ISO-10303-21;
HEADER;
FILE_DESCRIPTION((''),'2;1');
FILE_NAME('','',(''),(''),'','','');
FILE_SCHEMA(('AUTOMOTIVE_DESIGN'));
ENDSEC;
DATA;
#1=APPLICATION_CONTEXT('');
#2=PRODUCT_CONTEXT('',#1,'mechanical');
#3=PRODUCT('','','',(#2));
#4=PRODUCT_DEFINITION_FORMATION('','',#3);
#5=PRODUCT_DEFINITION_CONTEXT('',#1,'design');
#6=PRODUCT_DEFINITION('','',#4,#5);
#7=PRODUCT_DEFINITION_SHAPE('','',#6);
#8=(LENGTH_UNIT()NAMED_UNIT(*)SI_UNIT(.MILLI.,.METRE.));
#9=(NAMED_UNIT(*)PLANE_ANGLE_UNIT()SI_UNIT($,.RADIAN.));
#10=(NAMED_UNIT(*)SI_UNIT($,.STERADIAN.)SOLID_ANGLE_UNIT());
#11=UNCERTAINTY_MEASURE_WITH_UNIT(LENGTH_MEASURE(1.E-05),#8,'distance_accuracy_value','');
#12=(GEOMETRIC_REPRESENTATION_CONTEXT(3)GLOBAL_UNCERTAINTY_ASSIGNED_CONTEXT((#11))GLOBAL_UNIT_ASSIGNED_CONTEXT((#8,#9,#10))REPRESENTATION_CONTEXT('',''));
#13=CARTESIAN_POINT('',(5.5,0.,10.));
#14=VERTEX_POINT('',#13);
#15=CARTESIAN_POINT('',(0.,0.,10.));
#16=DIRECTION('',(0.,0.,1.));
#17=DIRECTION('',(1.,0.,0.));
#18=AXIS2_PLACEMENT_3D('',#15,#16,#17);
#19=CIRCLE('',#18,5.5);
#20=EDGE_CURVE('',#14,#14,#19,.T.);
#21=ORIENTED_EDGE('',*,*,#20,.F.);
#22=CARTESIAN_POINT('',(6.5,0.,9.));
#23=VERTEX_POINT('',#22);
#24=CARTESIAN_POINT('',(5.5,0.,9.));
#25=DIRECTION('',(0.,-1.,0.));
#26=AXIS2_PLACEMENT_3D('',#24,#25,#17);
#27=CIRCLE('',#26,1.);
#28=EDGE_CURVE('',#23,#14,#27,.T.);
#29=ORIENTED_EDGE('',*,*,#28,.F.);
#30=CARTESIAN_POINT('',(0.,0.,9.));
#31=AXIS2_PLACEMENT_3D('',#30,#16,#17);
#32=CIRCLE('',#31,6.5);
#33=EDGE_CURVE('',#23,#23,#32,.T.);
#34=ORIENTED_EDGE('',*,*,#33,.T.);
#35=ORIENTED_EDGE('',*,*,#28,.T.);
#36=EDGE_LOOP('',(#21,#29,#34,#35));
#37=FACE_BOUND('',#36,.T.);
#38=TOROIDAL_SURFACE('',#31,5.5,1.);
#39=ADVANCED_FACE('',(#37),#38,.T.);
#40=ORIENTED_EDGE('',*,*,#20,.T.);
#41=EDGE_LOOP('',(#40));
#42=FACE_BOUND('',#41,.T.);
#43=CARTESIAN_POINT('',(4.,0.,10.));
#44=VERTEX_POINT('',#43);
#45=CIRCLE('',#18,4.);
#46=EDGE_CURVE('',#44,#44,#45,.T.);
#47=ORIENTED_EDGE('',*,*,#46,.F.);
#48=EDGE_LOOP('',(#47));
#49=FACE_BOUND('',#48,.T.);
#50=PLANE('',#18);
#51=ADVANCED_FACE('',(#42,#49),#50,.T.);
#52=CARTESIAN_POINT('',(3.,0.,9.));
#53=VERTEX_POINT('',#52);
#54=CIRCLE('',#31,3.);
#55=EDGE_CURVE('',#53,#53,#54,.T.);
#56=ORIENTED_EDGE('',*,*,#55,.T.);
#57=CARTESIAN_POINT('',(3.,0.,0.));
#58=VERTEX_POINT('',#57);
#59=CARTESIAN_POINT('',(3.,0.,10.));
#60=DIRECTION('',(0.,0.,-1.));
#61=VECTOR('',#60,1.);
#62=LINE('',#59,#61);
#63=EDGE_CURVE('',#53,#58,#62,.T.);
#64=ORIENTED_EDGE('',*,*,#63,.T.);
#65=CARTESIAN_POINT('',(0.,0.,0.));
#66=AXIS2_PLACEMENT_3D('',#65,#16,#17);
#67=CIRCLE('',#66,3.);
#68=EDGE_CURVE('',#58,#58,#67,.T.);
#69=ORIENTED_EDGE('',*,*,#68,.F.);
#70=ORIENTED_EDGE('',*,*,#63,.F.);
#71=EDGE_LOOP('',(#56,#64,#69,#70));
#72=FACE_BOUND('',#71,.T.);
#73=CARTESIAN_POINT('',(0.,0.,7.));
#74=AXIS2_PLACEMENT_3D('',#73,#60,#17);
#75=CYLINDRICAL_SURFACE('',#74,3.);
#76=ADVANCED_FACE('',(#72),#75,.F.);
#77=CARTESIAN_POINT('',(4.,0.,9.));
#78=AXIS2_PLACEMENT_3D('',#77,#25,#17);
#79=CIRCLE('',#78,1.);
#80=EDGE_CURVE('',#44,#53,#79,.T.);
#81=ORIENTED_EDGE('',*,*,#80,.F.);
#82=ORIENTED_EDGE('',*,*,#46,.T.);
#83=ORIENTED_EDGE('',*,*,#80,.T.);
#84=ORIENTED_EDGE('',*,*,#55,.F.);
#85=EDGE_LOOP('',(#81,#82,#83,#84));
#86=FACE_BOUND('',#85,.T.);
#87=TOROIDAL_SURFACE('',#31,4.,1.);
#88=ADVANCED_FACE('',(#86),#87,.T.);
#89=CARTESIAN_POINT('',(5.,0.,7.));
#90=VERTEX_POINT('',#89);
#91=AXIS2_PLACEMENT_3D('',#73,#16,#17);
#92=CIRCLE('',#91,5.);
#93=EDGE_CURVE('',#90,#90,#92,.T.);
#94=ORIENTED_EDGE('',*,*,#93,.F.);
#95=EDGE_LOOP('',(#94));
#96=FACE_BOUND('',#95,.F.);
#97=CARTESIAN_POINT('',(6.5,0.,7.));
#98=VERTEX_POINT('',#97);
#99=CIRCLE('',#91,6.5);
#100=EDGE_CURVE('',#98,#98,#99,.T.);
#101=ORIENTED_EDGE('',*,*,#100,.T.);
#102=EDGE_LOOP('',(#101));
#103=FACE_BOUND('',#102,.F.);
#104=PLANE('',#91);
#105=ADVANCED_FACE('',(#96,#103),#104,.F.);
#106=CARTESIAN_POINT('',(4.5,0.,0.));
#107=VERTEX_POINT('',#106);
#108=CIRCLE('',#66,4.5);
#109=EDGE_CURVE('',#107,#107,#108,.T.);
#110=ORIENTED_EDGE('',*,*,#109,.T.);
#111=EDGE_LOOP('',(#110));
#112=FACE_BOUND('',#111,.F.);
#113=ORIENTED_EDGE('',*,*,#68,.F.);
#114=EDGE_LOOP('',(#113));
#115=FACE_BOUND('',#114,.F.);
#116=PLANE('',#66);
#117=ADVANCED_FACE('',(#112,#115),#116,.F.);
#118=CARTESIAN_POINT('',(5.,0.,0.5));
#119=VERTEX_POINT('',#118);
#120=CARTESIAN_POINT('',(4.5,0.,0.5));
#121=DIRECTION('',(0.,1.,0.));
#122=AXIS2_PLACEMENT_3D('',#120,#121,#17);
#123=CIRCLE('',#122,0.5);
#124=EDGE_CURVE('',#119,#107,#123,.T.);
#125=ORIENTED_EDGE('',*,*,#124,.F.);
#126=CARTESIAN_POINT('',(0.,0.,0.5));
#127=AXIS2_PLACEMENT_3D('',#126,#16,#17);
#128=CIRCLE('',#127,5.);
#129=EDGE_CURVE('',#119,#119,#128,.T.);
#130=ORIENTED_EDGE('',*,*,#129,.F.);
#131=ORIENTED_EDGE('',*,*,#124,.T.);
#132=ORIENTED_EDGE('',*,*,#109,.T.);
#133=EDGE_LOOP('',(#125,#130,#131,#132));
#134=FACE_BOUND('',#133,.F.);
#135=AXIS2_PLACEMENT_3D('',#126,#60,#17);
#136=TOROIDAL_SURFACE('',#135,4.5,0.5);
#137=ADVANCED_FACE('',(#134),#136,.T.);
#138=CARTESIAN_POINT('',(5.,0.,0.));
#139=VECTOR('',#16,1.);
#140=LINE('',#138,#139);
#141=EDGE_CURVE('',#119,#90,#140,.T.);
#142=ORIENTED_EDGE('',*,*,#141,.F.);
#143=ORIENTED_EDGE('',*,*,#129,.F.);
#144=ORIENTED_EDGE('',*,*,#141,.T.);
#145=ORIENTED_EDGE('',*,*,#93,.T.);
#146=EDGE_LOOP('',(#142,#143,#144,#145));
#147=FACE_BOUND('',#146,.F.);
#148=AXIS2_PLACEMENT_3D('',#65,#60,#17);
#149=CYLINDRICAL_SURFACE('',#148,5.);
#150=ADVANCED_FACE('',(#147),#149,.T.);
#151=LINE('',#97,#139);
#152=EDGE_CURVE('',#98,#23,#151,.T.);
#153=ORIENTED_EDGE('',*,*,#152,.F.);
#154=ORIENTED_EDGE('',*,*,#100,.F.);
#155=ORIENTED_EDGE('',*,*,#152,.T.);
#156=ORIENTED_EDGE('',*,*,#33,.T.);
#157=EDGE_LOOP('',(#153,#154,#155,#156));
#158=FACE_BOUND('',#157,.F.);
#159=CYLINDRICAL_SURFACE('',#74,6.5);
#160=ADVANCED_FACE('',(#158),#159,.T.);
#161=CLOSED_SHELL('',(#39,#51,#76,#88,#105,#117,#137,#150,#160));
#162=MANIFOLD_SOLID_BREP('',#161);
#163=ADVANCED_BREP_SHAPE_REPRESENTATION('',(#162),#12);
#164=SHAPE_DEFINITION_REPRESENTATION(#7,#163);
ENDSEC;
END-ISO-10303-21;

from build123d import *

# Parameters (mm, degrees)
SKETCH1_R           = 5
SKETCH1_R_2         = 3
BOSS_EXTRUDE1_DEPTH = 7
SKETCH2_R           = 6.5
SKETCH2_R_2         = 3
BOSS_EXTRUDE2_DEPTH = 3
FILLET1_R           = 1
FILLET2_R           = 0.5


with BuildPart() as part:
    # Sketch1 → Boss-Extrude1 (new body)
    with BuildSketch(Plane.XY):
        Circle(SKETCH1_R)
        Circle(SKETCH1_R_2, mode=Mode.SUBTRACT)
    extrude(amount=BOSS_EXTRUDE1_DEPTH)

    # Sketch2 → Boss-Extrude2 (add)
    with BuildSketch(Plane.XY.offset(7)):
        Circle(SKETCH2_R)
        Circle(SKETCH2_R_2, mode=Mode.SUBTRACT)
    extrude(amount=BOSS_EXTRUDE2_DEPTH)

    # Fillet1
    fillet1_edges = [part.edges().sort_by_distance(p)[0] for p in [
        (-6.5, 0, 10),
        (-3, 0, 10),
    ]]
    fillet(fillet1_edges, radius=FILLET1_R)

    # Fillet2
    fillet2_edges = [part.edges().sort_by_distance(p)[0] for p in [
        (-5, 0, 0),
    ]]
    fillet(fillet2_edges, radius=FILLET2_R)


solid = part.part
